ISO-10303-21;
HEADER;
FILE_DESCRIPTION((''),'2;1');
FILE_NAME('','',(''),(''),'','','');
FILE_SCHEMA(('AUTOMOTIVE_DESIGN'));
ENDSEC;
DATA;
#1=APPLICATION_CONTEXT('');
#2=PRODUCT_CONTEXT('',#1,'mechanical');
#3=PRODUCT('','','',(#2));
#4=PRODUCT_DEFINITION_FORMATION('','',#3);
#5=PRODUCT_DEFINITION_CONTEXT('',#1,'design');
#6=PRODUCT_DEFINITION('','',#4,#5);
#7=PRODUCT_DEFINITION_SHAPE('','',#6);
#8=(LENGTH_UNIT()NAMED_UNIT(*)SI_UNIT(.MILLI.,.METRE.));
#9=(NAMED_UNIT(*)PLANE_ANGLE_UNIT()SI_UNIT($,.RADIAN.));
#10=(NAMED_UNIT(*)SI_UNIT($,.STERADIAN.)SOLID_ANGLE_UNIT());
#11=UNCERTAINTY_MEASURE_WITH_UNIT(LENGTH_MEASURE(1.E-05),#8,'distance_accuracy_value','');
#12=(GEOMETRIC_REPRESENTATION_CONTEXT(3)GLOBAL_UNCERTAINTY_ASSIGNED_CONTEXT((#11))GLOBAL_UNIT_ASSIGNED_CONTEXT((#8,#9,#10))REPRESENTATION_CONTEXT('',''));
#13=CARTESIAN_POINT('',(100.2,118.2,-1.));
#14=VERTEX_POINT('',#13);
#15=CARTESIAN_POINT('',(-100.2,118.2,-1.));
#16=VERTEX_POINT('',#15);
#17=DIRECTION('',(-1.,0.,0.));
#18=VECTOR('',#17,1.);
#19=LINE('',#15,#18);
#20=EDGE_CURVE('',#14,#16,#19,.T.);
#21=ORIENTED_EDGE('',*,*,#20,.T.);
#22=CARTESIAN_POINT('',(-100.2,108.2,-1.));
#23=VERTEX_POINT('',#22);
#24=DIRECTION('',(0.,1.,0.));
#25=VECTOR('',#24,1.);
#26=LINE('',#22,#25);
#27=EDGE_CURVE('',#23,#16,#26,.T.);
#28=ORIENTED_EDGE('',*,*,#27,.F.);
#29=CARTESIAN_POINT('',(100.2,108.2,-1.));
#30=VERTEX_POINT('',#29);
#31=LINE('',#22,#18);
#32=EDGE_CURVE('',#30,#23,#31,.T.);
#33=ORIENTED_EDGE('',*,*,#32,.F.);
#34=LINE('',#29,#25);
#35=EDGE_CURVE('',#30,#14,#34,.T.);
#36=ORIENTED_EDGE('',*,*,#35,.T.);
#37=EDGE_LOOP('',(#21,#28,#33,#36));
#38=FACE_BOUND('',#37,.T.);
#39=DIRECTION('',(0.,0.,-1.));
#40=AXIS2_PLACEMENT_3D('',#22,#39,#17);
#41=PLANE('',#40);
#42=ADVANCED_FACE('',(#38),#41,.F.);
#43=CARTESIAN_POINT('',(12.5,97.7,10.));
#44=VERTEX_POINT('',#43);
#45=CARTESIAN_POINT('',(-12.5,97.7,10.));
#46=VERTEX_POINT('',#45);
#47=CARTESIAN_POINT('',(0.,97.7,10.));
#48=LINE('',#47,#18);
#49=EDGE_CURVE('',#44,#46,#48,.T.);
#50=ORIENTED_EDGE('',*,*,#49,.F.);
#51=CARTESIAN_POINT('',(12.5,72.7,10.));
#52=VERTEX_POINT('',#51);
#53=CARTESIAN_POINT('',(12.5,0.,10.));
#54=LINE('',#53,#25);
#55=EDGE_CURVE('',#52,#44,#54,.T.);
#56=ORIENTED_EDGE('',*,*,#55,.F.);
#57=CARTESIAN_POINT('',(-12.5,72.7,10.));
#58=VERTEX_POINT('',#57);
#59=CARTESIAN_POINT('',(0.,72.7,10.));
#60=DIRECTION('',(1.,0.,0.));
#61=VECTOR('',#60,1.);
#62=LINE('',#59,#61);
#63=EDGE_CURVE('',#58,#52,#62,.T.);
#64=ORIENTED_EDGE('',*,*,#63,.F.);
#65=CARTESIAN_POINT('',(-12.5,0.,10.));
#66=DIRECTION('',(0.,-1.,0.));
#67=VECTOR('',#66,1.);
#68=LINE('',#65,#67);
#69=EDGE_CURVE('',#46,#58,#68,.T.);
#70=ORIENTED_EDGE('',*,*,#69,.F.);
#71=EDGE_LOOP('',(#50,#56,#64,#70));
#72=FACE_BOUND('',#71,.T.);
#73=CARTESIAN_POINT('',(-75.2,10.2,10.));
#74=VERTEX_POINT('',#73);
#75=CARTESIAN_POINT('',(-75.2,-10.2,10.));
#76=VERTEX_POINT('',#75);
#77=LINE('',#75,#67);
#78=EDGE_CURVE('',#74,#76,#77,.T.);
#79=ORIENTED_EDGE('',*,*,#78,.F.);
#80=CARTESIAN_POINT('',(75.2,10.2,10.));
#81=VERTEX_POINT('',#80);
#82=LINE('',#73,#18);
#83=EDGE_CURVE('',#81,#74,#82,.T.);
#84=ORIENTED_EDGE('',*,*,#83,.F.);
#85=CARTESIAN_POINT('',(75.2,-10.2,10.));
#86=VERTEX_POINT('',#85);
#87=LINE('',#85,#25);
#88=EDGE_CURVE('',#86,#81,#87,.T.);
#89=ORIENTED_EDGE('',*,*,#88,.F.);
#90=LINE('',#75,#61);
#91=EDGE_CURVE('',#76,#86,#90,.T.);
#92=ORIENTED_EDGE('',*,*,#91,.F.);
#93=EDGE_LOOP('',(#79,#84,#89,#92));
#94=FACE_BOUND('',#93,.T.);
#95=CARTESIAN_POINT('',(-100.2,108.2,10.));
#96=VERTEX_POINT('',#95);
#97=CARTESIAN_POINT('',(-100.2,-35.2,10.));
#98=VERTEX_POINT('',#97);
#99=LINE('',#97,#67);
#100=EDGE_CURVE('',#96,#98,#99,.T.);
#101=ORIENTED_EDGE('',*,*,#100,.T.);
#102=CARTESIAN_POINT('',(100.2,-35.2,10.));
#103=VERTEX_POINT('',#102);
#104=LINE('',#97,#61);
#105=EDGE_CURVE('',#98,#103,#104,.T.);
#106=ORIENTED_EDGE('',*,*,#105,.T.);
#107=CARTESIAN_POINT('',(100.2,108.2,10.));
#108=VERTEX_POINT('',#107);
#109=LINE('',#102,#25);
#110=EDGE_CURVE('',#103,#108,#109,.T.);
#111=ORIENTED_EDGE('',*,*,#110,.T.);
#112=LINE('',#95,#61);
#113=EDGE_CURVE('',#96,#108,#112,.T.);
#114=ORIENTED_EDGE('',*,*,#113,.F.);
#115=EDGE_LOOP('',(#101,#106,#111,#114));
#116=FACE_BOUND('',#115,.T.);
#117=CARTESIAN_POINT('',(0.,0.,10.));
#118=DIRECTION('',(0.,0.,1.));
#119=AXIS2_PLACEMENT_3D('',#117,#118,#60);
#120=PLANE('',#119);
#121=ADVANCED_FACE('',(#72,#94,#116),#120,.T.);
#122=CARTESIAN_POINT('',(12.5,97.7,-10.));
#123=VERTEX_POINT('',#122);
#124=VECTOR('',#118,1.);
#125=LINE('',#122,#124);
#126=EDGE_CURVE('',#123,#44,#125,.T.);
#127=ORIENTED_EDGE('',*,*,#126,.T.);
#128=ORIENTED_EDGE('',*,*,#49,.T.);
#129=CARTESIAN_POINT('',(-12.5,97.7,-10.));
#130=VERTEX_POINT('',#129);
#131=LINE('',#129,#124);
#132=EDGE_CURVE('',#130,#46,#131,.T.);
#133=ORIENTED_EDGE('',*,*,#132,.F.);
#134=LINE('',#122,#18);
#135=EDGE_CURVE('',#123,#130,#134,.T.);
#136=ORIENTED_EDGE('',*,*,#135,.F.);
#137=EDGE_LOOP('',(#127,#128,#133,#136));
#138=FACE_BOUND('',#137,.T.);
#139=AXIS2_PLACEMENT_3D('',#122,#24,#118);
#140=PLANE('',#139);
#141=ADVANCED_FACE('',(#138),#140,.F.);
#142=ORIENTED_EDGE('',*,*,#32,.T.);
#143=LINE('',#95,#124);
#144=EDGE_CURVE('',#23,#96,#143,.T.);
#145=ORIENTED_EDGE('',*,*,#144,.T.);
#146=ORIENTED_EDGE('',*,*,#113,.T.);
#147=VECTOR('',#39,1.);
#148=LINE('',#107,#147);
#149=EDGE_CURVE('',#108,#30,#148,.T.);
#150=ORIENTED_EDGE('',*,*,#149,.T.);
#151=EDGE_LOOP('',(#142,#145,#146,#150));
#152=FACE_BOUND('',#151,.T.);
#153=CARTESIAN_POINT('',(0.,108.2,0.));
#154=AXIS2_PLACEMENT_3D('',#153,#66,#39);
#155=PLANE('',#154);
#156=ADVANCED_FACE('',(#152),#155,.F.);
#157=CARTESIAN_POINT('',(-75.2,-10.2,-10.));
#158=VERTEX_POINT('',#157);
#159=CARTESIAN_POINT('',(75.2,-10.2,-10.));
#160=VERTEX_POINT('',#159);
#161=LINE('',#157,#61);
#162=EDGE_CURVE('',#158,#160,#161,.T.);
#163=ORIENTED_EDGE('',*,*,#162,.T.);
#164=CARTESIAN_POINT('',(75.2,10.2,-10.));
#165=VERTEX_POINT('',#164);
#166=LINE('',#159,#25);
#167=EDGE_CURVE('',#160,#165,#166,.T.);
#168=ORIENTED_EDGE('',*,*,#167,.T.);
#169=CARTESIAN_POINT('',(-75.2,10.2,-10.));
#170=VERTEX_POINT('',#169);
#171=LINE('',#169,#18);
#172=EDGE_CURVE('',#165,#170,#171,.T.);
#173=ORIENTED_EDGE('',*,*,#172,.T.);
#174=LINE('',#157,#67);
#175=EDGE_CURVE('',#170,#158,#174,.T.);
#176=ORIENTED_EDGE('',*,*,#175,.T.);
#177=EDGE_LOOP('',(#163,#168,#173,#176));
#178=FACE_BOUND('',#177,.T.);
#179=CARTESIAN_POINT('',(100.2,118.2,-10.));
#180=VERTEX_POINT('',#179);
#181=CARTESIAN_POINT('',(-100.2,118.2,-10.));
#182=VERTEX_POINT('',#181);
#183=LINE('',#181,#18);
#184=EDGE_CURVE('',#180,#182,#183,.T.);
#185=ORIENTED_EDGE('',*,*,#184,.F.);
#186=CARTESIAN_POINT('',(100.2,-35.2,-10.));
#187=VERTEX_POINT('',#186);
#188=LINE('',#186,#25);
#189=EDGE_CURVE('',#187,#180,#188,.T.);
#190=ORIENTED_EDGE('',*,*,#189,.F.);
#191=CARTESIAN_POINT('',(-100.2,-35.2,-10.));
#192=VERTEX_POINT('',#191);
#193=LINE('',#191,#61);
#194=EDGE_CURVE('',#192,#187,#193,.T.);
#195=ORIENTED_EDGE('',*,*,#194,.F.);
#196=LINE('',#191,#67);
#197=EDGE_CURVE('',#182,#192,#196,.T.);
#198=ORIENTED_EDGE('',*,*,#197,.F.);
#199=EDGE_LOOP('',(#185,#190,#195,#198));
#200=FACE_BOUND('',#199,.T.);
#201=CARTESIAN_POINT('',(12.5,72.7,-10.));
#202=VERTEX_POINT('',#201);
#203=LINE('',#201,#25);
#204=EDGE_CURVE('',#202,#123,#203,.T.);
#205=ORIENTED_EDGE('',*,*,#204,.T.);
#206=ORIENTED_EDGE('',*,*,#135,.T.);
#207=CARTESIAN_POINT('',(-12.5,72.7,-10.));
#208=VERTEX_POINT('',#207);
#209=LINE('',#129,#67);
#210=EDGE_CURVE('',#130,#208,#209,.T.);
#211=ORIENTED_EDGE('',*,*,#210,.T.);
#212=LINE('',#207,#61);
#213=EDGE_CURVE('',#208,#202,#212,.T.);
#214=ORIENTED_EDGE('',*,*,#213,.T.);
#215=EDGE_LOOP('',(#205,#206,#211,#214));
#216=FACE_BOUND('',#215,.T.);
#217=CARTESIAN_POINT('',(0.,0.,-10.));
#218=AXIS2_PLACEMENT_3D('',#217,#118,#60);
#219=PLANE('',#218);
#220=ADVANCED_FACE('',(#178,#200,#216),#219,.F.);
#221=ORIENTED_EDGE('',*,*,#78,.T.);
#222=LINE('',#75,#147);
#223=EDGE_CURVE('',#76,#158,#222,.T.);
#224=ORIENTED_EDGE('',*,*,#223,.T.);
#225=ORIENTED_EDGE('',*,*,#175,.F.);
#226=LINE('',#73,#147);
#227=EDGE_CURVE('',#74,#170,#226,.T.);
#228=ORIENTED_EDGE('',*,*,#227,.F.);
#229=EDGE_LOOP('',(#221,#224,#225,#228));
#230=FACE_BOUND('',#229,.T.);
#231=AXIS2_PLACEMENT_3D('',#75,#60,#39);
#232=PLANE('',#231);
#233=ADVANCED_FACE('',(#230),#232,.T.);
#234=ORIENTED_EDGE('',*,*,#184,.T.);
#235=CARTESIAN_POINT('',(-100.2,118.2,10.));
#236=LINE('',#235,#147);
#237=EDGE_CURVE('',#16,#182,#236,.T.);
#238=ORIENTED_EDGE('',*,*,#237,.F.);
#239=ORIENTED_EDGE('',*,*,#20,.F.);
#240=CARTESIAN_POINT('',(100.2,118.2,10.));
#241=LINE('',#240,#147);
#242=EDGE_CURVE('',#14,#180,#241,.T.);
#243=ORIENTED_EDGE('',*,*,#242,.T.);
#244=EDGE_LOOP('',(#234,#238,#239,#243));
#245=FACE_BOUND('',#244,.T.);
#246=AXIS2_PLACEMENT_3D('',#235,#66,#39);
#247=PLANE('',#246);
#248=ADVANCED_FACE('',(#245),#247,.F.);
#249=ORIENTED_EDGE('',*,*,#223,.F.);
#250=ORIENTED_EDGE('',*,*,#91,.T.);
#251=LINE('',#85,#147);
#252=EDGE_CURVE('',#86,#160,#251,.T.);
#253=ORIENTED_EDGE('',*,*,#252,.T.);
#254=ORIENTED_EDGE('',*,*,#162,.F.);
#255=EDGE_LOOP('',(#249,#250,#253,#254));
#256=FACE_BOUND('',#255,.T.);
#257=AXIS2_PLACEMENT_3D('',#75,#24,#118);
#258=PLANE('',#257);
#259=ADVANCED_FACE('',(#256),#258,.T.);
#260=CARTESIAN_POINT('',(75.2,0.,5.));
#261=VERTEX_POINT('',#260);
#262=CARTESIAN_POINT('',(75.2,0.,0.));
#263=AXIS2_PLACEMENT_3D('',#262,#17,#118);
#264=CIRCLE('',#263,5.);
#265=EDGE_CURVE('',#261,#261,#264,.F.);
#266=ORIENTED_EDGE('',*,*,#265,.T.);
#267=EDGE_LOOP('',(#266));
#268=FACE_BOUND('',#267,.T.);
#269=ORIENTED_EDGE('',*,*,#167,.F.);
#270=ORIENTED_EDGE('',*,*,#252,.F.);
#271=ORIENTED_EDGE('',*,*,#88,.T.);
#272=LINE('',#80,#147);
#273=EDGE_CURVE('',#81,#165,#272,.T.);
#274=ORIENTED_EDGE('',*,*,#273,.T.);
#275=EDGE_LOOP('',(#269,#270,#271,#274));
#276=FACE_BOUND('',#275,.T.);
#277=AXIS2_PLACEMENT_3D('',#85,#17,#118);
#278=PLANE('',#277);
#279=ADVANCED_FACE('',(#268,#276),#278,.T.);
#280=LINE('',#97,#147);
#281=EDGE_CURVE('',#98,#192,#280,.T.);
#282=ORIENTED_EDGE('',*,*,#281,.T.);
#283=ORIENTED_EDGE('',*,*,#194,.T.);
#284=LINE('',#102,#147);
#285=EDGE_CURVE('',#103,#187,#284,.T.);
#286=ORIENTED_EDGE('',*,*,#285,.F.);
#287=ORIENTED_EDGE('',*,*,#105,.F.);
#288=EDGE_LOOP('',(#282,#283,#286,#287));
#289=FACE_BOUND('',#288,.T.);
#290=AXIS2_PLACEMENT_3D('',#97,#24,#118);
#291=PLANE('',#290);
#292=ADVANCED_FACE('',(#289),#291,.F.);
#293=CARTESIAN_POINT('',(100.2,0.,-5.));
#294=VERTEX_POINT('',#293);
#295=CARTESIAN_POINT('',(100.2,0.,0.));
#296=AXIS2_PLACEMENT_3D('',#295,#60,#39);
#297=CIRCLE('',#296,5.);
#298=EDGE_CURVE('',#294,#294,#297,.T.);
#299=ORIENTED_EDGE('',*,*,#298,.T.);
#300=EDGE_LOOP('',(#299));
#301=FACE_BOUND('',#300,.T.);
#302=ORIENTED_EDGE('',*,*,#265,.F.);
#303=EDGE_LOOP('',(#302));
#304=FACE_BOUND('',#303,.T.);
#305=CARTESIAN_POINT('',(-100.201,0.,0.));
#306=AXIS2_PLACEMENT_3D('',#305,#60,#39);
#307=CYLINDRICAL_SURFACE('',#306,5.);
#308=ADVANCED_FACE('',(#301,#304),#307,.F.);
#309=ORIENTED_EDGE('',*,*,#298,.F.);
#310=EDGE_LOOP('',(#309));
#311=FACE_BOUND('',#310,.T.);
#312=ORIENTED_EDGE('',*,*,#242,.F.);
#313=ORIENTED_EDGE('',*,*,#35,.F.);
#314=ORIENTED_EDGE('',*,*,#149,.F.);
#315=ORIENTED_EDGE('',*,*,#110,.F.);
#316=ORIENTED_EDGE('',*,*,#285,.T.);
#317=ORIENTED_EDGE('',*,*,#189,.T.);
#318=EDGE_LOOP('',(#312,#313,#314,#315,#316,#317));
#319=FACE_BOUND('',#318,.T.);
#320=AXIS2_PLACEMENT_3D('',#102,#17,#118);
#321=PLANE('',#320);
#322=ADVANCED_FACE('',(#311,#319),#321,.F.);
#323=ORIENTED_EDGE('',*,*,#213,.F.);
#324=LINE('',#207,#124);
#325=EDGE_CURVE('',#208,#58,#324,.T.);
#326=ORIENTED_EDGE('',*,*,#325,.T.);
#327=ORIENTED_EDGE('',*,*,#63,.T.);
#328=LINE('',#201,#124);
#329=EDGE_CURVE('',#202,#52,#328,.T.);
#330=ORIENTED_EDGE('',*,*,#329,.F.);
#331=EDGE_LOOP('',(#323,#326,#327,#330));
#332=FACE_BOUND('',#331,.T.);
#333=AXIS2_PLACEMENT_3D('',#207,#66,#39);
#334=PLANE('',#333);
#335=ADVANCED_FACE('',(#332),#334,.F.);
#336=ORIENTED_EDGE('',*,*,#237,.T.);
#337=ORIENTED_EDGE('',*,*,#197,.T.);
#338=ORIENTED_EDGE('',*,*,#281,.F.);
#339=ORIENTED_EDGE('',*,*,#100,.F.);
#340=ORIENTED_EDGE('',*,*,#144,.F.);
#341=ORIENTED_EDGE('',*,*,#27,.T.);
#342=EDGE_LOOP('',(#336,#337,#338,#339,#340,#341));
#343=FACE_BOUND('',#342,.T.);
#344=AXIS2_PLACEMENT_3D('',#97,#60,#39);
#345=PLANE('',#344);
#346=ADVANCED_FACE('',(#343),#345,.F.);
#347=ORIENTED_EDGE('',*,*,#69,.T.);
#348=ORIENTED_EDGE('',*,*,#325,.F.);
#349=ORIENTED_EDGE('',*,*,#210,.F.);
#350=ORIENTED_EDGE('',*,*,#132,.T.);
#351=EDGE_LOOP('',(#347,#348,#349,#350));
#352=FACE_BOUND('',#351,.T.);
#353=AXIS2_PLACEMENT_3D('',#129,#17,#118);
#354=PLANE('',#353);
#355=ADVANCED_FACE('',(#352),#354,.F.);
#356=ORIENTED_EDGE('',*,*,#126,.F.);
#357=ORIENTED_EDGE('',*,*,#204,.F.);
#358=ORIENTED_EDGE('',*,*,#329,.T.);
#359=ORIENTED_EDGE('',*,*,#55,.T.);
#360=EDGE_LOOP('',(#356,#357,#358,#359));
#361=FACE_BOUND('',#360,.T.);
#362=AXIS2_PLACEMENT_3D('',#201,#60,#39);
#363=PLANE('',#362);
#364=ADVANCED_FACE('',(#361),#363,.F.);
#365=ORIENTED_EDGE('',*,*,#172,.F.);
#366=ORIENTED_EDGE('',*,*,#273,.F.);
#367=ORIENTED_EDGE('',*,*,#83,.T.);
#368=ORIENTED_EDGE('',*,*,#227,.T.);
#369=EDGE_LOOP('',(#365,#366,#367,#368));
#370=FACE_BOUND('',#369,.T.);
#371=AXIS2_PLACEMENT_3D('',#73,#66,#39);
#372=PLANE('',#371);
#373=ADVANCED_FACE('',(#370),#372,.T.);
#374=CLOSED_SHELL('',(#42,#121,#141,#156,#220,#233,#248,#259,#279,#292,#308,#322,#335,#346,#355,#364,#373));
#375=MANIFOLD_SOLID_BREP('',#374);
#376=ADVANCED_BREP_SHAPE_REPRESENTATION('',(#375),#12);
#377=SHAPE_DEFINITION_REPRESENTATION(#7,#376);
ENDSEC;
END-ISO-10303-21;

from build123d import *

# Parameters (mm, degrees)
SKETCH2_W               = 200.4
SKETCH2_H               = 153.4
SKETCH2_W_2             = 150.4
SKETCH2_H_2             = 20.4
BOSS_EXTRUDE1_DEPTH     = 10
CUT_EXTRUDE1_REACH      = 234.876
SKETCH4_R               = 5
CUT_EXTRUDE2_DEPTH      = 157.241095746
CUT_EXTRUDE2_DEPTH_BACK = 157.241095746
SKETCH7_W               = 25
SKETCH7_H               = 25
SKETCH8_W               = 200.4
SKETCH8_H               = 11
CUT_EXTRUDE3_DEPTH      = 10


with BuildPart() as part:
    # Sketch2 → Boss-Extrude1 (new, symmetric)
    with BuildSketch(Plane.XY):
        with Locations((0, 41.5)):
            Rectangle(SKETCH2_W, SKETCH2_H)
        Rectangle(SKETCH2_W_2, SKETCH2_H_2, mode=Mode.SUBTRACT)
    extrude(amount=BOSS_EXTRUDE1_DEPTH, both=True)

    # Sketch4 → Cut-Extrude1 (cut, up to next)
    with BuildSketch(Plane(origin=(100.2, 0, 0), x_dir=(0, 0, -1), z_dir=(1, 0, 0)), mode=Mode.PRIVATE) as cut_extrude1_sk1:
        Circle(SKETCH4_R)
    cut_extrude1_tool1 = extrude(cut_extrude1_sk1.sketch, amount=-CUT_EXTRUDE1_REACH, mode=Mode.PRIVATE) & part.part
    add(cut_extrude1_tool1.solids().sort_by_distance((100.2, 0, 0))[0], mode=Mode.SUBTRACT)

    # Sketch7 → Cut-Extrude2 (cut, two sides: drawn at the far end of the back side and taken through both)
    with BuildSketch(Plane.XY.offset(10).offset(-CUT_EXTRUDE2_DEPTH_BACK)):
        with Locations((0, 85.2)):
            Rectangle(SKETCH7_W, SKETCH7_H)
    extrude(amount=CUT_EXTRUDE2_DEPTH + CUT_EXTRUDE2_DEPTH_BACK, mode=Mode.SUBTRACT)

    # Sketch8 → Cut-Extrude3 (cut)
    with BuildSketch(Plane(origin=(0, 118.2, 0), x_dir=(1, 0, 0), z_dir=(0, 1, 0))):
        with Locations((0, -4.5)):
            Rectangle(SKETCH8_W, SKETCH8_H)
    extrude(amount=-CUT_EXTRUDE3_DEPTH, mode=Mode.SUBTRACT)


solid = part.part
